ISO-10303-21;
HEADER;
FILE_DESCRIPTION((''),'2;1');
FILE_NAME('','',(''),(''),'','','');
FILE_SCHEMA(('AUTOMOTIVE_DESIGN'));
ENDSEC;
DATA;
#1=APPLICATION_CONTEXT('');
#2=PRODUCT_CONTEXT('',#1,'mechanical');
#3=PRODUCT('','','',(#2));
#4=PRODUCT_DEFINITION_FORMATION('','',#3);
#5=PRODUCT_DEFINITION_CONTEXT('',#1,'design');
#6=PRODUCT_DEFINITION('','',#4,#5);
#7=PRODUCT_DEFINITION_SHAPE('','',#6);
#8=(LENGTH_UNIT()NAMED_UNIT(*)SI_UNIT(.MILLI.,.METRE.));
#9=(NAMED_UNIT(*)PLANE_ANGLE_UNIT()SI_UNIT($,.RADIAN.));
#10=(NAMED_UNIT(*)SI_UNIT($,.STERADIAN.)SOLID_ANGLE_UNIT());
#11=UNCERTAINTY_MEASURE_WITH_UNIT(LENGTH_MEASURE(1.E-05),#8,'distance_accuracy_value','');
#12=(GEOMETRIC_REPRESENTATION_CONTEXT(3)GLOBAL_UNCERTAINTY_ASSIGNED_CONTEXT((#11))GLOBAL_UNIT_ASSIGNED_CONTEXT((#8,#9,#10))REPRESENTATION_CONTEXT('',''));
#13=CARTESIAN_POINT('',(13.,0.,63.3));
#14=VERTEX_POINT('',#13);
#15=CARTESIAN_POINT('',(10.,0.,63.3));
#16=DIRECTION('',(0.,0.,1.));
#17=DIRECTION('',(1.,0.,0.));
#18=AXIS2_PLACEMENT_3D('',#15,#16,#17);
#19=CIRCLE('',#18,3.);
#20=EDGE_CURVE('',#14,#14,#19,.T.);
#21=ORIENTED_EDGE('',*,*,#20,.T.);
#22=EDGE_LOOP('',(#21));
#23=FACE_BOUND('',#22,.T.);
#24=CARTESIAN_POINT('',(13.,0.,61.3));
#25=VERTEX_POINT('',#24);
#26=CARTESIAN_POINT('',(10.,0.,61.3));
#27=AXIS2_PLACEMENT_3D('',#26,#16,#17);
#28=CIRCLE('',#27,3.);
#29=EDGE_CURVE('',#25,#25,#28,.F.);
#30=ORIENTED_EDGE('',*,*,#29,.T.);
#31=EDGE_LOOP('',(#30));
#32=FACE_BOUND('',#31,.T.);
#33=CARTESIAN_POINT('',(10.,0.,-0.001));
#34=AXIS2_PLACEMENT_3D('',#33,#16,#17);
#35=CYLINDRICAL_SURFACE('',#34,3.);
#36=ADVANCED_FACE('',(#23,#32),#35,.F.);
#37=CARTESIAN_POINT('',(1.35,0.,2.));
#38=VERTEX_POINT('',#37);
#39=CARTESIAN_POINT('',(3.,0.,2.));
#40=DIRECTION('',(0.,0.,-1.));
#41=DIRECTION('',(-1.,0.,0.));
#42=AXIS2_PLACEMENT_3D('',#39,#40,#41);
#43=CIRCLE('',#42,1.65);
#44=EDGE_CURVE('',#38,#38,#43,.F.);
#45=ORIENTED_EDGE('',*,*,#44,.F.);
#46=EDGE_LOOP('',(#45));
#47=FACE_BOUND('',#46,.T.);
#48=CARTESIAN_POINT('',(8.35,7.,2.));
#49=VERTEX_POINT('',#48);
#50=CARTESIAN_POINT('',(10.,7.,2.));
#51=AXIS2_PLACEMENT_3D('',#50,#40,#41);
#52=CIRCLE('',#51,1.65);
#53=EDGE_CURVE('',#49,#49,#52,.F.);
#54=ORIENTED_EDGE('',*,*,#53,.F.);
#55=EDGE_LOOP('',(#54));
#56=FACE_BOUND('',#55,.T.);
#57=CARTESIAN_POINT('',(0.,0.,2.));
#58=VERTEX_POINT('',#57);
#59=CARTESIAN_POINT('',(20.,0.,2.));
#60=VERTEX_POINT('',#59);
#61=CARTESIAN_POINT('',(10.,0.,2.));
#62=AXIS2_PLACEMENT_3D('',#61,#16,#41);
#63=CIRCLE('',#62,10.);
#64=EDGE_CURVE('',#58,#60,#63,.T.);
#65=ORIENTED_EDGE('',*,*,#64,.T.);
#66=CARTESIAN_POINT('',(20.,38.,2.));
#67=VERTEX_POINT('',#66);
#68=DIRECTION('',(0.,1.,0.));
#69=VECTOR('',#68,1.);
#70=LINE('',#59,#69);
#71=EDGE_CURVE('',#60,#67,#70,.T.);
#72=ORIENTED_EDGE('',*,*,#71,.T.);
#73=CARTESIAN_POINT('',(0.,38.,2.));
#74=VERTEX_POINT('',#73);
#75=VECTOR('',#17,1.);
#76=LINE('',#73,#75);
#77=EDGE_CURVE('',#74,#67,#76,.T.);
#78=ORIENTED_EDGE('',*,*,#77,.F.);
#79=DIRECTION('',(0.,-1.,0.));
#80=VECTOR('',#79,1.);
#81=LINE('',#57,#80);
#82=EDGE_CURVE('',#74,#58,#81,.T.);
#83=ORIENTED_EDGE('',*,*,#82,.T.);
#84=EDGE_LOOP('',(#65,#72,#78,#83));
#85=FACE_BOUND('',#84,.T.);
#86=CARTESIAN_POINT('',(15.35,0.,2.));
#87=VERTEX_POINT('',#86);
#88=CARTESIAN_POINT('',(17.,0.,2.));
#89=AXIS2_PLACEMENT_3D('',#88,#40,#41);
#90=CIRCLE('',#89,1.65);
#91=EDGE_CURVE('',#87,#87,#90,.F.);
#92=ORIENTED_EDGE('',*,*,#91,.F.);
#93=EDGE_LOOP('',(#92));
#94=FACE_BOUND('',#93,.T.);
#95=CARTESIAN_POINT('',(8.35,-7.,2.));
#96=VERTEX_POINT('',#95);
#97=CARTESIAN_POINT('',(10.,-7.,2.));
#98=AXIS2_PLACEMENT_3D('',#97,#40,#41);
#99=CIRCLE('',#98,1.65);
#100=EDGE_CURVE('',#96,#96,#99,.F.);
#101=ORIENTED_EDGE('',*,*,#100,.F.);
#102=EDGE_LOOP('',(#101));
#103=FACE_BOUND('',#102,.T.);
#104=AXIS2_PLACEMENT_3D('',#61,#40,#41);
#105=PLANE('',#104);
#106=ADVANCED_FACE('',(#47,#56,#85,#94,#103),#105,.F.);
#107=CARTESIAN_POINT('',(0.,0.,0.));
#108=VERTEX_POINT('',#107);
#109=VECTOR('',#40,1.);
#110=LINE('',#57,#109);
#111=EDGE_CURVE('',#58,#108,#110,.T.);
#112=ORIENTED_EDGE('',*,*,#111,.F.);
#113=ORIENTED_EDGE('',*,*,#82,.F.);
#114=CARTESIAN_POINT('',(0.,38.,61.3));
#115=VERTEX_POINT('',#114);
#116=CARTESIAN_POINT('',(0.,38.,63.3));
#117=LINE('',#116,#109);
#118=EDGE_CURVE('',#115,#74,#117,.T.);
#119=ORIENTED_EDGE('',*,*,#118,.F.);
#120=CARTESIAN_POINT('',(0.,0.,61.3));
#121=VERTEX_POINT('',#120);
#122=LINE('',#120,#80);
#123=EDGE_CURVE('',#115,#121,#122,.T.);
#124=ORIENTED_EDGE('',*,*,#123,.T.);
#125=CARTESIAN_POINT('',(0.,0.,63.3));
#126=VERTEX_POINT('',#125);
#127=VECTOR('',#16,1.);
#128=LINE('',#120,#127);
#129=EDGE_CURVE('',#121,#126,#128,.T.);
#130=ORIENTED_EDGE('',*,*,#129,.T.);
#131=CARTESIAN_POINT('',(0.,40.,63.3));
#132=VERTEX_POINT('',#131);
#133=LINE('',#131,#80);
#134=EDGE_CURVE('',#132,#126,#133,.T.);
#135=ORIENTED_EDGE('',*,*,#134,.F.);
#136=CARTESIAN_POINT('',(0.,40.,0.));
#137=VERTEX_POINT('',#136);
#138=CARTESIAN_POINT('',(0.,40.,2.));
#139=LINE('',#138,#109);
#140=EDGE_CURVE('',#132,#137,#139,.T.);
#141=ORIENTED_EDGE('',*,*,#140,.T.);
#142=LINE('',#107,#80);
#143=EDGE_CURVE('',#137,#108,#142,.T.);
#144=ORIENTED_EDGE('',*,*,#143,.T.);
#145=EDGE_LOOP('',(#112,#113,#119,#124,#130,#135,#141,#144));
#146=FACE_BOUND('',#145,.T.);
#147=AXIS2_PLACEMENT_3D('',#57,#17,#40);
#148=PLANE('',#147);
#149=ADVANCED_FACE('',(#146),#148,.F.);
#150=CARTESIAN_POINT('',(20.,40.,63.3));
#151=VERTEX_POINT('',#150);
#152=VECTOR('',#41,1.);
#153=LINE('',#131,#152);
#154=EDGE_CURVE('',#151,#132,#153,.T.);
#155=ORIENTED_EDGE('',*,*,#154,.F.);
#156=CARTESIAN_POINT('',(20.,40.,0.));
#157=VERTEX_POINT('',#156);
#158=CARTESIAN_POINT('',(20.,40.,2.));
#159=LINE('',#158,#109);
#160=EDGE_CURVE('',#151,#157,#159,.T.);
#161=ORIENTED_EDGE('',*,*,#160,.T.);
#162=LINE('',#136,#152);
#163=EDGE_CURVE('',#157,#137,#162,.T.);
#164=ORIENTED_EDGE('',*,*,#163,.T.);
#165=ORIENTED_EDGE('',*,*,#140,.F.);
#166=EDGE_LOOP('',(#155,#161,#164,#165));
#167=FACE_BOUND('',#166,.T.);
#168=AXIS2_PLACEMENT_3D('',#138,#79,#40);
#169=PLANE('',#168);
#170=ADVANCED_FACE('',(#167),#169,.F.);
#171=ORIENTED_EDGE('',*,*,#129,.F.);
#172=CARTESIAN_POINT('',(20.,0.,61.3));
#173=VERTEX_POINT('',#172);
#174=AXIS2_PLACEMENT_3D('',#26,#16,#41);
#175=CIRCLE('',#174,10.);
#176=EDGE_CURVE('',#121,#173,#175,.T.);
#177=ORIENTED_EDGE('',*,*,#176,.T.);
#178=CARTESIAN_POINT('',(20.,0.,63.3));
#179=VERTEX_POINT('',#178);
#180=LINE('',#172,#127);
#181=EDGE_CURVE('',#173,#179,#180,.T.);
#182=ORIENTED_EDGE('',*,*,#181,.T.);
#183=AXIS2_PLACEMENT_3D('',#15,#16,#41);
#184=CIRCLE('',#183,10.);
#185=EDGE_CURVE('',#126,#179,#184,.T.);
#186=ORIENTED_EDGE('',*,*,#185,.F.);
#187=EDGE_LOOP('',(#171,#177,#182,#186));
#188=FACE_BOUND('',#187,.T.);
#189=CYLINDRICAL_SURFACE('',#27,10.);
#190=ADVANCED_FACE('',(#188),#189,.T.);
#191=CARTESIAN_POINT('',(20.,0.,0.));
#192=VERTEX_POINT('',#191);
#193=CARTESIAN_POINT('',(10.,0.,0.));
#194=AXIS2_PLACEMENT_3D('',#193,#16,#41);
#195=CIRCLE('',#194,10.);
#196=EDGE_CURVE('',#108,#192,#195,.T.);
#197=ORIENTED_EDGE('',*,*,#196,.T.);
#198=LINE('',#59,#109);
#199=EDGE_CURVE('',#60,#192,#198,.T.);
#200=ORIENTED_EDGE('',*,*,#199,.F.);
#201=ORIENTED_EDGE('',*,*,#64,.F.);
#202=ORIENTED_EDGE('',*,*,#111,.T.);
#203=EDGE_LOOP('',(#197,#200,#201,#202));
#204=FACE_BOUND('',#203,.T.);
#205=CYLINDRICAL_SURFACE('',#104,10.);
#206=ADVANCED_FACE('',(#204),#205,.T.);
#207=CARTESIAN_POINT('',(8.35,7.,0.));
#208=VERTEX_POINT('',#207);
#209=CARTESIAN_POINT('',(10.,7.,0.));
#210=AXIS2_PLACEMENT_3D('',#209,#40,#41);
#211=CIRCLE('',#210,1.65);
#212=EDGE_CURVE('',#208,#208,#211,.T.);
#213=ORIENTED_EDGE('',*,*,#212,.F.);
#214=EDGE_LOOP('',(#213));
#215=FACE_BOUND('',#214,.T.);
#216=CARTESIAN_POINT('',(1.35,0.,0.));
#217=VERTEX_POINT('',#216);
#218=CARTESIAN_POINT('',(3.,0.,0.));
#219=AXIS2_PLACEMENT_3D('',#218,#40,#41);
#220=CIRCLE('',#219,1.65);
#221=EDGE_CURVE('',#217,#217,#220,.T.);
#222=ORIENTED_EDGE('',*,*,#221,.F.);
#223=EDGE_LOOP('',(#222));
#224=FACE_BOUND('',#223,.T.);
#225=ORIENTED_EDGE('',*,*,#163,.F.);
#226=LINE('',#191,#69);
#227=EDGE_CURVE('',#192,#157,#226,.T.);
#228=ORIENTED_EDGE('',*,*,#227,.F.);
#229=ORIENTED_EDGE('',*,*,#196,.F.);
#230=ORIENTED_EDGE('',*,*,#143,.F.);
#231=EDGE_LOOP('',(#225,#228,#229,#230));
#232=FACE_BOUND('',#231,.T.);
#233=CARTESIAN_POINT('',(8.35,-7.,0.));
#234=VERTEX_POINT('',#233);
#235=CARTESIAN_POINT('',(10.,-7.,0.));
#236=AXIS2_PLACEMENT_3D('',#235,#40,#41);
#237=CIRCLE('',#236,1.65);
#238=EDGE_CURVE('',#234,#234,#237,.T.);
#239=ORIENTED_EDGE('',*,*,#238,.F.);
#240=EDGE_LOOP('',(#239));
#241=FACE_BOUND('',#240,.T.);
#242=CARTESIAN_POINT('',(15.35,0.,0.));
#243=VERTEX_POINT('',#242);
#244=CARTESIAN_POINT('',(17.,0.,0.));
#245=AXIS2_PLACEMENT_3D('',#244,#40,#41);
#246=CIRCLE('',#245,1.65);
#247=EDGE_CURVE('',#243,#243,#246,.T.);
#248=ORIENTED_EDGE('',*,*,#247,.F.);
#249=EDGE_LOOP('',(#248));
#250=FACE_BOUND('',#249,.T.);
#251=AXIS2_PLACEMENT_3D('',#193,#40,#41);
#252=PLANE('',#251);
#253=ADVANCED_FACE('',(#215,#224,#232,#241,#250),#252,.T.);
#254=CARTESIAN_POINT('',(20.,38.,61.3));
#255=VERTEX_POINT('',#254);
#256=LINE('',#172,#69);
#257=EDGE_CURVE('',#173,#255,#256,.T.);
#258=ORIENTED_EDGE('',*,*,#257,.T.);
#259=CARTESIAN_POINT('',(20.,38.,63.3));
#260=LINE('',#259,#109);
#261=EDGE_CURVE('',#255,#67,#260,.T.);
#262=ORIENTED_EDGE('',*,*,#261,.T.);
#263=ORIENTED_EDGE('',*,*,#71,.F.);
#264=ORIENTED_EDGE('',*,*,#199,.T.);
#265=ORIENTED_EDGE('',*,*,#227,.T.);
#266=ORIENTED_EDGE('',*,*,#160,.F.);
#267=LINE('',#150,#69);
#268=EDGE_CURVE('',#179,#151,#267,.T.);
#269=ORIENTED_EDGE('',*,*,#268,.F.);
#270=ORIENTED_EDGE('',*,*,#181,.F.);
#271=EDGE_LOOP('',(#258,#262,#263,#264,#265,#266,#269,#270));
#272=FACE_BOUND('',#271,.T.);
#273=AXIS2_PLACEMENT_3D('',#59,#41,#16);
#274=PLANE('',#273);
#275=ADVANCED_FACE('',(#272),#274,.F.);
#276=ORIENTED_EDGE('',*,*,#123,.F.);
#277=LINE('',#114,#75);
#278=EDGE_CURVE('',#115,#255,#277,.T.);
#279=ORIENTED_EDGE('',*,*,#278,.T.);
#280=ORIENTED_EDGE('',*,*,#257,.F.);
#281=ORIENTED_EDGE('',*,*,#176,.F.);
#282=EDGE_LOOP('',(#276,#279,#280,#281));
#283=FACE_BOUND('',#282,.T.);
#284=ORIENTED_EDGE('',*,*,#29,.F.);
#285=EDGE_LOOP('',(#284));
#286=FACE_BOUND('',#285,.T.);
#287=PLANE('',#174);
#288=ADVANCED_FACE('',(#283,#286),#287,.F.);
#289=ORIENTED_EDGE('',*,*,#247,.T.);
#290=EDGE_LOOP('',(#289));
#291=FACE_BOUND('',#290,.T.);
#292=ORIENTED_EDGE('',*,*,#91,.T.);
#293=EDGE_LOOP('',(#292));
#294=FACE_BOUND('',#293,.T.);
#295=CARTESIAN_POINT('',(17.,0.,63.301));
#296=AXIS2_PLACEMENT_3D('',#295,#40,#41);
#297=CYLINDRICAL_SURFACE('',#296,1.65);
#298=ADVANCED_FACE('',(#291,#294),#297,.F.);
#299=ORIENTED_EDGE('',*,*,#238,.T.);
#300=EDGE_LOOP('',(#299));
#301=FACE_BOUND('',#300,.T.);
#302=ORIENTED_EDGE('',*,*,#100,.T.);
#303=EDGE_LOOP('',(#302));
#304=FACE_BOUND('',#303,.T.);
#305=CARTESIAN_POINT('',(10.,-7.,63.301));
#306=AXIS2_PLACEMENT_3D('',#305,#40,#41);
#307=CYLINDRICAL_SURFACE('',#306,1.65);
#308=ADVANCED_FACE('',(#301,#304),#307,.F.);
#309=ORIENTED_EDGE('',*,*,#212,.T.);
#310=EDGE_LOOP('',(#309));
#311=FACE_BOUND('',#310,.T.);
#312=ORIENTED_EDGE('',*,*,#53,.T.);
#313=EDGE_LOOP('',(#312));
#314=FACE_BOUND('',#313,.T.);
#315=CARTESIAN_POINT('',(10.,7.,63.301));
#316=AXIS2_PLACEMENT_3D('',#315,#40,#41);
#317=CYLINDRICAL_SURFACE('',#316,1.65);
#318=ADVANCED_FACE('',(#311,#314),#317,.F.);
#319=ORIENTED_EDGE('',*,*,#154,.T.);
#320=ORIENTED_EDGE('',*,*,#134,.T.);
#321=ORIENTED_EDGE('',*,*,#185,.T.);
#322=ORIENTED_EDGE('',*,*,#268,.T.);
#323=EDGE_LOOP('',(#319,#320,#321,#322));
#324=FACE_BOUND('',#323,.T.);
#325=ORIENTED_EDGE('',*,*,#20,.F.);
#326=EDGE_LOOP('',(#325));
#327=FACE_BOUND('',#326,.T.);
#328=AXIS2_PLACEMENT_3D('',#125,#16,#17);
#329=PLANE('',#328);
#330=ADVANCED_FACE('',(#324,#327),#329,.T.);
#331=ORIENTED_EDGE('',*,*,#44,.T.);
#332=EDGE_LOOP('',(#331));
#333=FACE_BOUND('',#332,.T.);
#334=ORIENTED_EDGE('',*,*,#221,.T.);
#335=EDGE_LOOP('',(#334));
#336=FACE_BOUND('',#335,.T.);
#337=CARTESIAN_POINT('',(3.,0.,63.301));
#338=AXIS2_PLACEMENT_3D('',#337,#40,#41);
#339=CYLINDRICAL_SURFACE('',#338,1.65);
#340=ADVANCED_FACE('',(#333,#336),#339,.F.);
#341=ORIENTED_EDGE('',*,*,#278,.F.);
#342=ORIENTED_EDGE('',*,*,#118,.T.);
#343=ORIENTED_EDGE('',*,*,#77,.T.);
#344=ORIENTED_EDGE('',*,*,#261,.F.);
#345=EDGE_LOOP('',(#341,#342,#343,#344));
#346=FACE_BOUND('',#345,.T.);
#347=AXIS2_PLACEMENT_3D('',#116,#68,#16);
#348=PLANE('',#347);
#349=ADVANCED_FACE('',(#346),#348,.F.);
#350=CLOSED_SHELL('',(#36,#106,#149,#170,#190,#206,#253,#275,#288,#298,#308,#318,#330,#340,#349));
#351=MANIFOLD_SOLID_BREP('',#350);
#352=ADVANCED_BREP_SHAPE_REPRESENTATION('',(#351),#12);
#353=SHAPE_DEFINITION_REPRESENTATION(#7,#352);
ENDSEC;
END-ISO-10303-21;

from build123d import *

# Parameters (mm, degrees)
EXTRUDE_1_DEPTH     = 2
SKETCH_2_W          = 20
SKETCH_2_H          = 2
EXTRUDE_2_DEPTH     = 61.3
CUT_EXTRUDE_1_REACH = 79.504
SKETCH_4_R          = 3
CUT_EXTRUDE_2_REACH = 79.504
SKETCH_5_R          = 1.65


with BuildPart() as part:
    # 草图1 → 凸台-拉伸1 (new body)
    with BuildSketch(Plane.XY):
        with BuildLine():
            Line((0, 0), (0, 40))
            Line((0, 40), (20, 40))
            Line((20, 40), (20, 0))
            ThreePointArc((20, 0), (10, -10), (0, 0))
        make_face()
    extrude_1 = extrude(amount=EXTRUDE_1_DEPTH)

    # 草图2 → 凸台-拉伸2 (add)
    with BuildSketch(Plane.XY.offset(2)):
        with Locations((10, 39)):
            Rectangle(SKETCH_2_W, SKETCH_2_H)
    extrude(amount=EXTRUDE_2_DEPTH)

    # 镜向1: 凸台-拉伸1 across plane
    add(extrude_1.mirror(Plane.XY.offset(31.65)))

    # 草图4 → 切除-拉伸1 (cut, up to next)
    with BuildSketch(Plane.XY.offset(63.3), mode=Mode.PRIVATE) as cut_extrude_1_sk1:
        with Locations((10, 0)):
            Circle(SKETCH_4_R)
    cut_extrude_1_tool1 = extrude(cut_extrude_1_sk1.sketch, amount=-CUT_EXTRUDE_1_REACH, mode=Mode.PRIVATE) & part.part
    add(cut_extrude_1_tool1.solids().sort_by_distance((10, 0, 63.3))[0], mode=Mode.SUBTRACT)

    # 草图5 → 切除-拉伸2 (cut, up to next)
    with BuildSketch(Plane(origin=(0, 0, 0), x_dir=(-1, 0, 0), z_dir=(0, 0, -1)), mode=Mode.PRIVATE) as cut_extrude_2_sk1:
        with Locations((-10, -7)):
            Circle(SKETCH_5_R)
    cut_extrude_2_tool1 = extrude(cut_extrude_2_sk1.sketch, amount=-CUT_EXTRUDE_2_REACH, mode=Mode.PRIVATE) & part.part
    # 草图5 → 切除-拉伸2 (cut, up to next)
    with BuildSketch(Plane(origin=(0, 0, 0), x_dir=(-1, 0, 0), z_dir=(0, 0, -1)), mode=Mode.PRIVATE) as cut_extrude_2_sk2:
        with Locations((-17, 0)):
            Circle(SKETCH_5_R)
    cut_extrude_2_tool2 = extrude(cut_extrude_2_sk2.sketch, amount=-CUT_EXTRUDE_2_REACH, mode=Mode.PRIVATE) & part.part
    # 草图5 → 切除-拉伸2 (cut, up to next)
    with BuildSketch(Plane(origin=(0, 0, 0), x_dir=(-1, 0, 0), z_dir=(0, 0, -1)), mode=Mode.PRIVATE) as cut_extrude_2_sk3:
        with Locations((-10, 7)):
            Circle(SKETCH_5_R)
    cut_extrude_2_tool3 = extrude(cut_extrude_2_sk3.sketch, amount=-CUT_EXTRUDE_2_REACH, mode=Mode.PRIVATE) & part.part
    # 草图5 → 切除-拉伸2 (cut, up to next)
    with BuildSketch(Plane(origin=(0, 0, 0), x_dir=(-1, 0, 0), z_dir=(0, 0, -1)), mode=Mode.PRIVATE) as cut_extrude_2_sk4:
        with Locations((-3, 0)):
            Circle(SKETCH_5_R)
    cut_extrude_2_tool4 = extrude(cut_extrude_2_sk4.sketch, amount=-CUT_EXTRUDE_2_REACH, mode=Mode.PRIVATE) & part.part
    add(cut_extrude_2_tool1.solids().sort_by_distance((10, -7, 0))[0], mode=Mode.SUBTRACT)
    add(cut_extrude_2_tool2.solids().sort_by_distance((17, 0, 0))[0], mode=Mode.SUBTRACT)
    add(cut_extrude_2_tool3.solids().sort_by_distance((10, 7, 0))[0], mode=Mode.SUBTRACT)
    add(cut_extrude_2_tool4.solids().sort_by_distance((3, 0, 0))[0], mode=Mode.SUBTRACT)


solid = part.part
